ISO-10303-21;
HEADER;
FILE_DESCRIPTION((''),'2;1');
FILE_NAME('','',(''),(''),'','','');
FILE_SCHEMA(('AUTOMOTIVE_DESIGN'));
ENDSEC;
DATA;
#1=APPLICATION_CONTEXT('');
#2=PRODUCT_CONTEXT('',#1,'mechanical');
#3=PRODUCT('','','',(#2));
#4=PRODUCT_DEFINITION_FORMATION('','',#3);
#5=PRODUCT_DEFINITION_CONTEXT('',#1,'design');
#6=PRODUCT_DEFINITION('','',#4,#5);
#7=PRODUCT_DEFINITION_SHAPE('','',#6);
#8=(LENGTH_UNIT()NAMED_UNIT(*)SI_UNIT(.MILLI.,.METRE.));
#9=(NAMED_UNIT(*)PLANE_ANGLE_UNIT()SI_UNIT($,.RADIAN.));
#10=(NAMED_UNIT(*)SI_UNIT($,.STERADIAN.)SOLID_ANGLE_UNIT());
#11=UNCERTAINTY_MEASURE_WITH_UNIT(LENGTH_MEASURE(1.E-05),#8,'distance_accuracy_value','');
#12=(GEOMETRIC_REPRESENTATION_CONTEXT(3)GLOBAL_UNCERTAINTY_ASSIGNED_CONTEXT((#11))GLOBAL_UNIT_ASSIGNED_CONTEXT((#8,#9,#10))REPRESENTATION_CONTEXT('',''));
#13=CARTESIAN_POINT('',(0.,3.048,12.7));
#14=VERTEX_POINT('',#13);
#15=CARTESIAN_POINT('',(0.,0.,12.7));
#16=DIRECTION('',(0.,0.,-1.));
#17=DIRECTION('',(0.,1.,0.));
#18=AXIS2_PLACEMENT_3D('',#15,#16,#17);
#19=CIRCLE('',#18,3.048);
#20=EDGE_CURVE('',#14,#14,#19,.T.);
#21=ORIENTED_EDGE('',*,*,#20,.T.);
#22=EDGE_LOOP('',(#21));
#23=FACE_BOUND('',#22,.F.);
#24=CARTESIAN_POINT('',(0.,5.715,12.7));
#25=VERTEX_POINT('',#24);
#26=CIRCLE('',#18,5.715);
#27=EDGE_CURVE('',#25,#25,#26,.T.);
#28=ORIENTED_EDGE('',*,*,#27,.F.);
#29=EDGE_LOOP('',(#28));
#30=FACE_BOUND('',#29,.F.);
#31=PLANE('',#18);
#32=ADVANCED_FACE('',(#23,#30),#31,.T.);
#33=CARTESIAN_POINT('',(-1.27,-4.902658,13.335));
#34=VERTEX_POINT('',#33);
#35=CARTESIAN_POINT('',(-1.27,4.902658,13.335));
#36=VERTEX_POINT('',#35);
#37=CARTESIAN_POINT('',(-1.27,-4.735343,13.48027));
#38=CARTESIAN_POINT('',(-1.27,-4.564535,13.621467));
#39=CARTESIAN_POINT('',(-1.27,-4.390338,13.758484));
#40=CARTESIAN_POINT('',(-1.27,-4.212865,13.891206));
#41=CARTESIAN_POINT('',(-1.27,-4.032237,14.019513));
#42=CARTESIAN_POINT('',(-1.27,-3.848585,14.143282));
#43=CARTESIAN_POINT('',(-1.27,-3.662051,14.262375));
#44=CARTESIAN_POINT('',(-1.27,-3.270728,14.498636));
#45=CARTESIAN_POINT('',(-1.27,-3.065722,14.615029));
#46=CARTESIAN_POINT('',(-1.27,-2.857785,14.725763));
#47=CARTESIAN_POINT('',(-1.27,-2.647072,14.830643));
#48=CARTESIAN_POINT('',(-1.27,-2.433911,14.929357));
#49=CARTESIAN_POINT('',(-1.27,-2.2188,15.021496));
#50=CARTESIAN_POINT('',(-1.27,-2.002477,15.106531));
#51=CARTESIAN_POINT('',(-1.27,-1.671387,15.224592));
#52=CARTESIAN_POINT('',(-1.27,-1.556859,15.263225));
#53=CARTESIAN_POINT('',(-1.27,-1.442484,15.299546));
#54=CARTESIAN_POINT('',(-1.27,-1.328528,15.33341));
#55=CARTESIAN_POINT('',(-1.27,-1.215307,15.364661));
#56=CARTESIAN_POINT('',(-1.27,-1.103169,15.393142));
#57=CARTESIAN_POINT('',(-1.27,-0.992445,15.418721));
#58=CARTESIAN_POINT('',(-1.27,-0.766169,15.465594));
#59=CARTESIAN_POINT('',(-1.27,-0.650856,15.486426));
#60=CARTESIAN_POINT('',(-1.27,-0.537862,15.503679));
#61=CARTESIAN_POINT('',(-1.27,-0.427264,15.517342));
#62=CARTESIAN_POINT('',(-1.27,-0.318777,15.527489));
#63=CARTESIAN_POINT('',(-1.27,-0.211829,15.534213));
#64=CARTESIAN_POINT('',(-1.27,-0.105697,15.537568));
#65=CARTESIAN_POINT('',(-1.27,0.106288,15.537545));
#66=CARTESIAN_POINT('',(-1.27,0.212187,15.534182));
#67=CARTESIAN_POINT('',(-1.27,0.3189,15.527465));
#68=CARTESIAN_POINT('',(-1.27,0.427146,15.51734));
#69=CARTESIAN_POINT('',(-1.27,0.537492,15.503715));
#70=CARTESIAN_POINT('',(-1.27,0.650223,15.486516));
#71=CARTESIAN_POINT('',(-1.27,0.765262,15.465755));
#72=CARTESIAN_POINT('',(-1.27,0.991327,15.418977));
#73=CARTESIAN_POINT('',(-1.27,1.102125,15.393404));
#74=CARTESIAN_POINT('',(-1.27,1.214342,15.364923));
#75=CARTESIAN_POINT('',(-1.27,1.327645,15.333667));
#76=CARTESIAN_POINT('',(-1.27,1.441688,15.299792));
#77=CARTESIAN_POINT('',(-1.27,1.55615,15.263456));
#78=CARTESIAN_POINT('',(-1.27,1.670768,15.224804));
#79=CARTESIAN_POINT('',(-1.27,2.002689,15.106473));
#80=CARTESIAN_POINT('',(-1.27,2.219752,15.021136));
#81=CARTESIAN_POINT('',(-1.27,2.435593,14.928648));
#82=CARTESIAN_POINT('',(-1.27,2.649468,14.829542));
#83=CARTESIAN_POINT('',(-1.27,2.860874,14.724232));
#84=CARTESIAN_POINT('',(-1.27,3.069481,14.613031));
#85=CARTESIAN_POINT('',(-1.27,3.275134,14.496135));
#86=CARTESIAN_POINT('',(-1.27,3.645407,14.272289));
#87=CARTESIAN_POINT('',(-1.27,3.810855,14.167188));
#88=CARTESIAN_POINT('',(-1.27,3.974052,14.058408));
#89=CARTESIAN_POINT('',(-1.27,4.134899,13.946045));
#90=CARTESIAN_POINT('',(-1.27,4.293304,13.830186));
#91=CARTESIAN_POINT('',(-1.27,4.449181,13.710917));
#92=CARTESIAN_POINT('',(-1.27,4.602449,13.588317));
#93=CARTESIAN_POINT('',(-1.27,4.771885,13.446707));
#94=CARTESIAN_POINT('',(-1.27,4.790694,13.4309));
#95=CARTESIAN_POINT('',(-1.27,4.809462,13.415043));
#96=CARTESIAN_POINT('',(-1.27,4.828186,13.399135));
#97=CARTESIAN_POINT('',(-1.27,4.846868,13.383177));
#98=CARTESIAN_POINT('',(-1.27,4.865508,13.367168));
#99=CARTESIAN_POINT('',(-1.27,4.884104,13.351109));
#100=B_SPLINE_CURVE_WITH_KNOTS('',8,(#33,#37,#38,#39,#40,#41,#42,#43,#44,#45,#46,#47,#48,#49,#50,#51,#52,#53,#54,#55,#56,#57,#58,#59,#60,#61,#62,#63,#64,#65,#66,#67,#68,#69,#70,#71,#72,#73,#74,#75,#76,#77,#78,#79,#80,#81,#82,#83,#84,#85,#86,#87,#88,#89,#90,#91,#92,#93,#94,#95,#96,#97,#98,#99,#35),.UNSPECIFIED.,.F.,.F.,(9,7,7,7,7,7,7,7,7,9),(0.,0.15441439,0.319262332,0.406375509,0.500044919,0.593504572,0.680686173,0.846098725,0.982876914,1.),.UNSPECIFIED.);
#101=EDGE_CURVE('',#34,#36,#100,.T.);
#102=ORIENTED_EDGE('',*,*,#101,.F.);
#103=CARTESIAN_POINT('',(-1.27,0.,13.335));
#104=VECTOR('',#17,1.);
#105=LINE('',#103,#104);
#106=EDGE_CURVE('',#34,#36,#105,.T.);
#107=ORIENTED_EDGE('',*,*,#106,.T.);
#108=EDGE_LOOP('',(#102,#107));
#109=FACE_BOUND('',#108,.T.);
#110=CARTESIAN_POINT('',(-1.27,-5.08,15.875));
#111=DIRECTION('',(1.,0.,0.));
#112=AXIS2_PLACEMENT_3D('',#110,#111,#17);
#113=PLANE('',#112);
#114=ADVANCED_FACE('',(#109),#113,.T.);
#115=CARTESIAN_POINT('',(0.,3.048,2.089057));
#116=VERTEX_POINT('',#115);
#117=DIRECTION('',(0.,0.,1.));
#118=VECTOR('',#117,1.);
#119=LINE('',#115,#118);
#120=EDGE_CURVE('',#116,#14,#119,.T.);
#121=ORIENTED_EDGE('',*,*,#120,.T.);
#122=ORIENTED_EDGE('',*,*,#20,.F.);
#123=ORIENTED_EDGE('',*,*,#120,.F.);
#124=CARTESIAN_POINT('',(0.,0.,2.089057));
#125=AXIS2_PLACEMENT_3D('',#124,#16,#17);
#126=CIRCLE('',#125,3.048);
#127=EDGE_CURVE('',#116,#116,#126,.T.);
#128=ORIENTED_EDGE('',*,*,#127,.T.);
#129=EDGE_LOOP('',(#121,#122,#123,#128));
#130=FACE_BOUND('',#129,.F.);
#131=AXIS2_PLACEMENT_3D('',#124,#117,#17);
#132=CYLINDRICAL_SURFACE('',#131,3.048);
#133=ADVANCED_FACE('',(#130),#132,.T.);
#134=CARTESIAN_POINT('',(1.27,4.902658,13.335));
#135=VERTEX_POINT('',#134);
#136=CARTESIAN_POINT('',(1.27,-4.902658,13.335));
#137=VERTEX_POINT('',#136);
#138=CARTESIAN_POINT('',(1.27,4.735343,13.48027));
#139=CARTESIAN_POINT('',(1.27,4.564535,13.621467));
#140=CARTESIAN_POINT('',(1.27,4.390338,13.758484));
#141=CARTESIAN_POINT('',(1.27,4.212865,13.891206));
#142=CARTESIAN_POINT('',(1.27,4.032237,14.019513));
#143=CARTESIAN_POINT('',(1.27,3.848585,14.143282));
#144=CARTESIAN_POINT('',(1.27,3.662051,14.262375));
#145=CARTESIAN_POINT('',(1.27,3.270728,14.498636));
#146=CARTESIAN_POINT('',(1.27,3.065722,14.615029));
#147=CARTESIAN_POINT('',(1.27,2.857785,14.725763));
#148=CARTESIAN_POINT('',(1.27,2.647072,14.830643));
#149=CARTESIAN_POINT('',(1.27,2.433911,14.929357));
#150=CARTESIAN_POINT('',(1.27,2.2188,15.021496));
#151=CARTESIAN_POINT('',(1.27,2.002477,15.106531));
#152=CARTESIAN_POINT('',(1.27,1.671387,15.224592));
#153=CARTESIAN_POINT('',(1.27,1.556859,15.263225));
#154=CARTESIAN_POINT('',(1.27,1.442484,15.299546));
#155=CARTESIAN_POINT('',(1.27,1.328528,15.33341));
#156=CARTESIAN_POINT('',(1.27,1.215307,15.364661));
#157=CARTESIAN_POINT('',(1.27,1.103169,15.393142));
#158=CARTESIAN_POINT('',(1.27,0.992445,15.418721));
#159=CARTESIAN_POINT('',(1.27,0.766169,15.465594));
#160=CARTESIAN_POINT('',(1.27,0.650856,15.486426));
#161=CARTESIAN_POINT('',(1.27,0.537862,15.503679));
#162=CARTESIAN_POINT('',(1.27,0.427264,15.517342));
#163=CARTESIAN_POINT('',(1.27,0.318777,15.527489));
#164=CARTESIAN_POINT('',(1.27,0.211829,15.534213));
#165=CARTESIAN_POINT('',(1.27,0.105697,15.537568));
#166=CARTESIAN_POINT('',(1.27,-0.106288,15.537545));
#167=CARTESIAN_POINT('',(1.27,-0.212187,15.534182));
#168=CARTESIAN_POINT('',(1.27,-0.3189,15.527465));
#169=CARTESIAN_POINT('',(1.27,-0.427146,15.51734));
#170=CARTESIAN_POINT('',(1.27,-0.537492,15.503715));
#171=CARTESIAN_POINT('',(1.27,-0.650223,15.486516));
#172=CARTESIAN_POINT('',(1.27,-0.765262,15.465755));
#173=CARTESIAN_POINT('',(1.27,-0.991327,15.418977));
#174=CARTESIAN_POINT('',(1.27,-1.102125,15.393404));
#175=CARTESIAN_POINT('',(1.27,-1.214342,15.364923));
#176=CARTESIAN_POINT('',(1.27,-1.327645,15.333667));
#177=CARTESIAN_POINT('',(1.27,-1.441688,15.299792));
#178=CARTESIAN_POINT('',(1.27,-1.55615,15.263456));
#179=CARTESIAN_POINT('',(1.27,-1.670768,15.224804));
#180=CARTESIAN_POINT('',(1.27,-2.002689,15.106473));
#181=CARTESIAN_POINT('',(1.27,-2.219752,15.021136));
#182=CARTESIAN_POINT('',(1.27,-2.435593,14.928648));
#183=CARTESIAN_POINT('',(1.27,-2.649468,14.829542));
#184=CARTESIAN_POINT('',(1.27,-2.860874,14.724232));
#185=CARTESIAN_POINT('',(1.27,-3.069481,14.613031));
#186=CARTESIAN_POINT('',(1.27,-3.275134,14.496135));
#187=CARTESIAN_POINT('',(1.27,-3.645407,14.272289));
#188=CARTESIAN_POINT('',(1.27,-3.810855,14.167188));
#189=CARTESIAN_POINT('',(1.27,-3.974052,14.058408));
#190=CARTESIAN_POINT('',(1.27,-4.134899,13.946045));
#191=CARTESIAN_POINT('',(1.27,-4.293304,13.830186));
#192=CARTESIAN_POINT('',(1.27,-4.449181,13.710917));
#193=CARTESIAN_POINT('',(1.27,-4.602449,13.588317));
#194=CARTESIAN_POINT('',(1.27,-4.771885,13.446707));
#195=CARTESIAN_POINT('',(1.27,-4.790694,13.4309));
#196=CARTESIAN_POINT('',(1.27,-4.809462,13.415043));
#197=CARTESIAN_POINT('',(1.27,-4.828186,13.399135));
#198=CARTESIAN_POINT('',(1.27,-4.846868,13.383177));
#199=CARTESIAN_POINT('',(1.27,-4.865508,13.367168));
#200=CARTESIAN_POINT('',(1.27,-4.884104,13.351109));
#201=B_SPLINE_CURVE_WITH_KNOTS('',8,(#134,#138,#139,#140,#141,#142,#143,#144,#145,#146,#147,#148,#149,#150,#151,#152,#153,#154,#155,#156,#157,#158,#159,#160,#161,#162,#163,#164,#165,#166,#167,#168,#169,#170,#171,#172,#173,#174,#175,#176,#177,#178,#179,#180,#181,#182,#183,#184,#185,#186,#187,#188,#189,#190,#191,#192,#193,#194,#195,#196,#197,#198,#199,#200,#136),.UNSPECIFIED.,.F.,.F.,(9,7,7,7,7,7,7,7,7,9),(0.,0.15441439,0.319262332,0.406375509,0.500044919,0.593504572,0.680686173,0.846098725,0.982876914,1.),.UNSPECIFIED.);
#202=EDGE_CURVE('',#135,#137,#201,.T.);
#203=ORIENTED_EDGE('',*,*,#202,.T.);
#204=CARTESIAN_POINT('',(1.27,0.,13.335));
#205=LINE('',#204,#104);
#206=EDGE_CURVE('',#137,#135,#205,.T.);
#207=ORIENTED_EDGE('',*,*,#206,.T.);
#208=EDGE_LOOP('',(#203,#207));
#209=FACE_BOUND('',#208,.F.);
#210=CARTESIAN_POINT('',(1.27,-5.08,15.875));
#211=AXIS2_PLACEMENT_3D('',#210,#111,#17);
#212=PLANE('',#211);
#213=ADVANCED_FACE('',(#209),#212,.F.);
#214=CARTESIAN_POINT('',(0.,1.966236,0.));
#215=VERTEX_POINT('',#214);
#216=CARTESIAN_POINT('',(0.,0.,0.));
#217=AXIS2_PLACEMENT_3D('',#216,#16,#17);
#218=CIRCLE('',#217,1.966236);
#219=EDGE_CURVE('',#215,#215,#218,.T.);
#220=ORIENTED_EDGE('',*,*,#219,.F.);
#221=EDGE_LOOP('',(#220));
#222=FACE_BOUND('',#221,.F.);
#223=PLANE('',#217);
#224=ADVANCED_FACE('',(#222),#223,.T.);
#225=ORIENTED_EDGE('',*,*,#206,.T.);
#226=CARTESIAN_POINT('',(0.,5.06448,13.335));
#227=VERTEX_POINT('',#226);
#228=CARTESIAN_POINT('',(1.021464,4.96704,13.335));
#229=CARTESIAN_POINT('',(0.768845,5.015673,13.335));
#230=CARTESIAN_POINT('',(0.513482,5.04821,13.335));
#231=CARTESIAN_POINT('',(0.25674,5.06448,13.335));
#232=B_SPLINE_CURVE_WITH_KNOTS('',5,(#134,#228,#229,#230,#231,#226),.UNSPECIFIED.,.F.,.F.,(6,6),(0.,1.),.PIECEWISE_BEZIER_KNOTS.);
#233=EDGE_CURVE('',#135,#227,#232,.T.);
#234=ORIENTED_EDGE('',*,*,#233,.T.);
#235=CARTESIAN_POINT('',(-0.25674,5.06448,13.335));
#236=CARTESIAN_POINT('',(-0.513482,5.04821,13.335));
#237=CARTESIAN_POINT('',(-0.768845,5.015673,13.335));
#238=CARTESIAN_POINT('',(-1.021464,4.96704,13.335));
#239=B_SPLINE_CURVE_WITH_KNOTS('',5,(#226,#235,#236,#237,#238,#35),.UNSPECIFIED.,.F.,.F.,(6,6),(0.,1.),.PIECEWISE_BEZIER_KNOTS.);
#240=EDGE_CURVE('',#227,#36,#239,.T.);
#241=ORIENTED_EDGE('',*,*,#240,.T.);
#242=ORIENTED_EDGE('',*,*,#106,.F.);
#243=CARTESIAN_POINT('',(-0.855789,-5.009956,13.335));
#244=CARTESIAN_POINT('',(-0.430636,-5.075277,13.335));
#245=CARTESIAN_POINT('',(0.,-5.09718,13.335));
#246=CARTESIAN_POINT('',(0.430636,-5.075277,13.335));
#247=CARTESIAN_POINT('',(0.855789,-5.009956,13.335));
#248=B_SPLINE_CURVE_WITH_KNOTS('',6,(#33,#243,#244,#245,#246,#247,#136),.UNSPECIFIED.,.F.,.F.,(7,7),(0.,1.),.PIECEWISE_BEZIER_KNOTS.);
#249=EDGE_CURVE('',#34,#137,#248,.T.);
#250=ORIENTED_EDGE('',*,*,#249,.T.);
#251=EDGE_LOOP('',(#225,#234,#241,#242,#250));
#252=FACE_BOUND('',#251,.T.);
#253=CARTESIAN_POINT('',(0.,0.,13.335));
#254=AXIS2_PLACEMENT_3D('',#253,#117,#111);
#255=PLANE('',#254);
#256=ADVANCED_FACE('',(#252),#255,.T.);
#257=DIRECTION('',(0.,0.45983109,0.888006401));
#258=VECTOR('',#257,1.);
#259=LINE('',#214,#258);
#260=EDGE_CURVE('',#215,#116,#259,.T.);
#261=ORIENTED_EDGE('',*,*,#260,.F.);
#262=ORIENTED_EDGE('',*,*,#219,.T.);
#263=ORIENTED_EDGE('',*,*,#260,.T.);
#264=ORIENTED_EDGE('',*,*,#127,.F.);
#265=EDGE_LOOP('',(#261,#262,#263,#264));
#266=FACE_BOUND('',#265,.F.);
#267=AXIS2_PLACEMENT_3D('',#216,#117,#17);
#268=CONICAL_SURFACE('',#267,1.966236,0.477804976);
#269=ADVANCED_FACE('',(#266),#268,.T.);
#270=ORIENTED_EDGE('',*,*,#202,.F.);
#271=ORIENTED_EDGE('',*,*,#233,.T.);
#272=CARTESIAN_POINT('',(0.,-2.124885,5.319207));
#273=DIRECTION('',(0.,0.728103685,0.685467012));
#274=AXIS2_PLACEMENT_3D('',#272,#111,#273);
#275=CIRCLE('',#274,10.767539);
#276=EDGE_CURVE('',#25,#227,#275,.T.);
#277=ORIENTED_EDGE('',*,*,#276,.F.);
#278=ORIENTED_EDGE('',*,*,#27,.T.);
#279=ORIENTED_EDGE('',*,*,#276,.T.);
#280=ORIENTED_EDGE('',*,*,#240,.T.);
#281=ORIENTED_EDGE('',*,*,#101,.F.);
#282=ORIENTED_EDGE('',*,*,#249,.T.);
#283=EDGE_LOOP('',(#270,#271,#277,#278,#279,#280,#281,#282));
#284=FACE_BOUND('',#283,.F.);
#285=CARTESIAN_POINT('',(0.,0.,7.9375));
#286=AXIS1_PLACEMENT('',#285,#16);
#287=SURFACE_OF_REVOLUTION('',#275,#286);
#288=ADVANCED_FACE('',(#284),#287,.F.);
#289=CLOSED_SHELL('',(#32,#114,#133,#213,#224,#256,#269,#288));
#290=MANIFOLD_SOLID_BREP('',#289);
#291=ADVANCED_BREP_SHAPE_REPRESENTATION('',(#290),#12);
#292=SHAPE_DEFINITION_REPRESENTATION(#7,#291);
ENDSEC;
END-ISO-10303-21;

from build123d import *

# Parameters (mm, degrees)
F3_W     = 2.54
F3_H     = 10.16
F4_DEPTH = 2.54


with BuildPart() as f1:
    # F0 (on Right) → F1 (revolve)
    with BuildSketch(Plane.YZ):
        with BuildLine():
            ThreePointArc((5.715, 12.7), (3.104294, 14.73173), (0, 15.875))
            Line((0, 15.875), (0, 0))
            Line((0, 0), (1.966236, 0))
            Line((1.966236, 0), (3.048, 2.089057))
            Line((3.048, 2.089057), (3.048, 12.7))
            Line((3.048, 12.7), (5.715, 12.7))
        make_face()
    revolve(axis=Axis((0, 0, 7.9375), (0, 0, -1)))

    # F3 (on offset) → F4 (cut)
    with BuildSketch(Plane.XY.offset(15.875)):
        Rectangle(F3_W, F3_H)
    extrude(amount=-F4_DEPTH, mode=Mode.SUBTRACT)


solid = f1.part
